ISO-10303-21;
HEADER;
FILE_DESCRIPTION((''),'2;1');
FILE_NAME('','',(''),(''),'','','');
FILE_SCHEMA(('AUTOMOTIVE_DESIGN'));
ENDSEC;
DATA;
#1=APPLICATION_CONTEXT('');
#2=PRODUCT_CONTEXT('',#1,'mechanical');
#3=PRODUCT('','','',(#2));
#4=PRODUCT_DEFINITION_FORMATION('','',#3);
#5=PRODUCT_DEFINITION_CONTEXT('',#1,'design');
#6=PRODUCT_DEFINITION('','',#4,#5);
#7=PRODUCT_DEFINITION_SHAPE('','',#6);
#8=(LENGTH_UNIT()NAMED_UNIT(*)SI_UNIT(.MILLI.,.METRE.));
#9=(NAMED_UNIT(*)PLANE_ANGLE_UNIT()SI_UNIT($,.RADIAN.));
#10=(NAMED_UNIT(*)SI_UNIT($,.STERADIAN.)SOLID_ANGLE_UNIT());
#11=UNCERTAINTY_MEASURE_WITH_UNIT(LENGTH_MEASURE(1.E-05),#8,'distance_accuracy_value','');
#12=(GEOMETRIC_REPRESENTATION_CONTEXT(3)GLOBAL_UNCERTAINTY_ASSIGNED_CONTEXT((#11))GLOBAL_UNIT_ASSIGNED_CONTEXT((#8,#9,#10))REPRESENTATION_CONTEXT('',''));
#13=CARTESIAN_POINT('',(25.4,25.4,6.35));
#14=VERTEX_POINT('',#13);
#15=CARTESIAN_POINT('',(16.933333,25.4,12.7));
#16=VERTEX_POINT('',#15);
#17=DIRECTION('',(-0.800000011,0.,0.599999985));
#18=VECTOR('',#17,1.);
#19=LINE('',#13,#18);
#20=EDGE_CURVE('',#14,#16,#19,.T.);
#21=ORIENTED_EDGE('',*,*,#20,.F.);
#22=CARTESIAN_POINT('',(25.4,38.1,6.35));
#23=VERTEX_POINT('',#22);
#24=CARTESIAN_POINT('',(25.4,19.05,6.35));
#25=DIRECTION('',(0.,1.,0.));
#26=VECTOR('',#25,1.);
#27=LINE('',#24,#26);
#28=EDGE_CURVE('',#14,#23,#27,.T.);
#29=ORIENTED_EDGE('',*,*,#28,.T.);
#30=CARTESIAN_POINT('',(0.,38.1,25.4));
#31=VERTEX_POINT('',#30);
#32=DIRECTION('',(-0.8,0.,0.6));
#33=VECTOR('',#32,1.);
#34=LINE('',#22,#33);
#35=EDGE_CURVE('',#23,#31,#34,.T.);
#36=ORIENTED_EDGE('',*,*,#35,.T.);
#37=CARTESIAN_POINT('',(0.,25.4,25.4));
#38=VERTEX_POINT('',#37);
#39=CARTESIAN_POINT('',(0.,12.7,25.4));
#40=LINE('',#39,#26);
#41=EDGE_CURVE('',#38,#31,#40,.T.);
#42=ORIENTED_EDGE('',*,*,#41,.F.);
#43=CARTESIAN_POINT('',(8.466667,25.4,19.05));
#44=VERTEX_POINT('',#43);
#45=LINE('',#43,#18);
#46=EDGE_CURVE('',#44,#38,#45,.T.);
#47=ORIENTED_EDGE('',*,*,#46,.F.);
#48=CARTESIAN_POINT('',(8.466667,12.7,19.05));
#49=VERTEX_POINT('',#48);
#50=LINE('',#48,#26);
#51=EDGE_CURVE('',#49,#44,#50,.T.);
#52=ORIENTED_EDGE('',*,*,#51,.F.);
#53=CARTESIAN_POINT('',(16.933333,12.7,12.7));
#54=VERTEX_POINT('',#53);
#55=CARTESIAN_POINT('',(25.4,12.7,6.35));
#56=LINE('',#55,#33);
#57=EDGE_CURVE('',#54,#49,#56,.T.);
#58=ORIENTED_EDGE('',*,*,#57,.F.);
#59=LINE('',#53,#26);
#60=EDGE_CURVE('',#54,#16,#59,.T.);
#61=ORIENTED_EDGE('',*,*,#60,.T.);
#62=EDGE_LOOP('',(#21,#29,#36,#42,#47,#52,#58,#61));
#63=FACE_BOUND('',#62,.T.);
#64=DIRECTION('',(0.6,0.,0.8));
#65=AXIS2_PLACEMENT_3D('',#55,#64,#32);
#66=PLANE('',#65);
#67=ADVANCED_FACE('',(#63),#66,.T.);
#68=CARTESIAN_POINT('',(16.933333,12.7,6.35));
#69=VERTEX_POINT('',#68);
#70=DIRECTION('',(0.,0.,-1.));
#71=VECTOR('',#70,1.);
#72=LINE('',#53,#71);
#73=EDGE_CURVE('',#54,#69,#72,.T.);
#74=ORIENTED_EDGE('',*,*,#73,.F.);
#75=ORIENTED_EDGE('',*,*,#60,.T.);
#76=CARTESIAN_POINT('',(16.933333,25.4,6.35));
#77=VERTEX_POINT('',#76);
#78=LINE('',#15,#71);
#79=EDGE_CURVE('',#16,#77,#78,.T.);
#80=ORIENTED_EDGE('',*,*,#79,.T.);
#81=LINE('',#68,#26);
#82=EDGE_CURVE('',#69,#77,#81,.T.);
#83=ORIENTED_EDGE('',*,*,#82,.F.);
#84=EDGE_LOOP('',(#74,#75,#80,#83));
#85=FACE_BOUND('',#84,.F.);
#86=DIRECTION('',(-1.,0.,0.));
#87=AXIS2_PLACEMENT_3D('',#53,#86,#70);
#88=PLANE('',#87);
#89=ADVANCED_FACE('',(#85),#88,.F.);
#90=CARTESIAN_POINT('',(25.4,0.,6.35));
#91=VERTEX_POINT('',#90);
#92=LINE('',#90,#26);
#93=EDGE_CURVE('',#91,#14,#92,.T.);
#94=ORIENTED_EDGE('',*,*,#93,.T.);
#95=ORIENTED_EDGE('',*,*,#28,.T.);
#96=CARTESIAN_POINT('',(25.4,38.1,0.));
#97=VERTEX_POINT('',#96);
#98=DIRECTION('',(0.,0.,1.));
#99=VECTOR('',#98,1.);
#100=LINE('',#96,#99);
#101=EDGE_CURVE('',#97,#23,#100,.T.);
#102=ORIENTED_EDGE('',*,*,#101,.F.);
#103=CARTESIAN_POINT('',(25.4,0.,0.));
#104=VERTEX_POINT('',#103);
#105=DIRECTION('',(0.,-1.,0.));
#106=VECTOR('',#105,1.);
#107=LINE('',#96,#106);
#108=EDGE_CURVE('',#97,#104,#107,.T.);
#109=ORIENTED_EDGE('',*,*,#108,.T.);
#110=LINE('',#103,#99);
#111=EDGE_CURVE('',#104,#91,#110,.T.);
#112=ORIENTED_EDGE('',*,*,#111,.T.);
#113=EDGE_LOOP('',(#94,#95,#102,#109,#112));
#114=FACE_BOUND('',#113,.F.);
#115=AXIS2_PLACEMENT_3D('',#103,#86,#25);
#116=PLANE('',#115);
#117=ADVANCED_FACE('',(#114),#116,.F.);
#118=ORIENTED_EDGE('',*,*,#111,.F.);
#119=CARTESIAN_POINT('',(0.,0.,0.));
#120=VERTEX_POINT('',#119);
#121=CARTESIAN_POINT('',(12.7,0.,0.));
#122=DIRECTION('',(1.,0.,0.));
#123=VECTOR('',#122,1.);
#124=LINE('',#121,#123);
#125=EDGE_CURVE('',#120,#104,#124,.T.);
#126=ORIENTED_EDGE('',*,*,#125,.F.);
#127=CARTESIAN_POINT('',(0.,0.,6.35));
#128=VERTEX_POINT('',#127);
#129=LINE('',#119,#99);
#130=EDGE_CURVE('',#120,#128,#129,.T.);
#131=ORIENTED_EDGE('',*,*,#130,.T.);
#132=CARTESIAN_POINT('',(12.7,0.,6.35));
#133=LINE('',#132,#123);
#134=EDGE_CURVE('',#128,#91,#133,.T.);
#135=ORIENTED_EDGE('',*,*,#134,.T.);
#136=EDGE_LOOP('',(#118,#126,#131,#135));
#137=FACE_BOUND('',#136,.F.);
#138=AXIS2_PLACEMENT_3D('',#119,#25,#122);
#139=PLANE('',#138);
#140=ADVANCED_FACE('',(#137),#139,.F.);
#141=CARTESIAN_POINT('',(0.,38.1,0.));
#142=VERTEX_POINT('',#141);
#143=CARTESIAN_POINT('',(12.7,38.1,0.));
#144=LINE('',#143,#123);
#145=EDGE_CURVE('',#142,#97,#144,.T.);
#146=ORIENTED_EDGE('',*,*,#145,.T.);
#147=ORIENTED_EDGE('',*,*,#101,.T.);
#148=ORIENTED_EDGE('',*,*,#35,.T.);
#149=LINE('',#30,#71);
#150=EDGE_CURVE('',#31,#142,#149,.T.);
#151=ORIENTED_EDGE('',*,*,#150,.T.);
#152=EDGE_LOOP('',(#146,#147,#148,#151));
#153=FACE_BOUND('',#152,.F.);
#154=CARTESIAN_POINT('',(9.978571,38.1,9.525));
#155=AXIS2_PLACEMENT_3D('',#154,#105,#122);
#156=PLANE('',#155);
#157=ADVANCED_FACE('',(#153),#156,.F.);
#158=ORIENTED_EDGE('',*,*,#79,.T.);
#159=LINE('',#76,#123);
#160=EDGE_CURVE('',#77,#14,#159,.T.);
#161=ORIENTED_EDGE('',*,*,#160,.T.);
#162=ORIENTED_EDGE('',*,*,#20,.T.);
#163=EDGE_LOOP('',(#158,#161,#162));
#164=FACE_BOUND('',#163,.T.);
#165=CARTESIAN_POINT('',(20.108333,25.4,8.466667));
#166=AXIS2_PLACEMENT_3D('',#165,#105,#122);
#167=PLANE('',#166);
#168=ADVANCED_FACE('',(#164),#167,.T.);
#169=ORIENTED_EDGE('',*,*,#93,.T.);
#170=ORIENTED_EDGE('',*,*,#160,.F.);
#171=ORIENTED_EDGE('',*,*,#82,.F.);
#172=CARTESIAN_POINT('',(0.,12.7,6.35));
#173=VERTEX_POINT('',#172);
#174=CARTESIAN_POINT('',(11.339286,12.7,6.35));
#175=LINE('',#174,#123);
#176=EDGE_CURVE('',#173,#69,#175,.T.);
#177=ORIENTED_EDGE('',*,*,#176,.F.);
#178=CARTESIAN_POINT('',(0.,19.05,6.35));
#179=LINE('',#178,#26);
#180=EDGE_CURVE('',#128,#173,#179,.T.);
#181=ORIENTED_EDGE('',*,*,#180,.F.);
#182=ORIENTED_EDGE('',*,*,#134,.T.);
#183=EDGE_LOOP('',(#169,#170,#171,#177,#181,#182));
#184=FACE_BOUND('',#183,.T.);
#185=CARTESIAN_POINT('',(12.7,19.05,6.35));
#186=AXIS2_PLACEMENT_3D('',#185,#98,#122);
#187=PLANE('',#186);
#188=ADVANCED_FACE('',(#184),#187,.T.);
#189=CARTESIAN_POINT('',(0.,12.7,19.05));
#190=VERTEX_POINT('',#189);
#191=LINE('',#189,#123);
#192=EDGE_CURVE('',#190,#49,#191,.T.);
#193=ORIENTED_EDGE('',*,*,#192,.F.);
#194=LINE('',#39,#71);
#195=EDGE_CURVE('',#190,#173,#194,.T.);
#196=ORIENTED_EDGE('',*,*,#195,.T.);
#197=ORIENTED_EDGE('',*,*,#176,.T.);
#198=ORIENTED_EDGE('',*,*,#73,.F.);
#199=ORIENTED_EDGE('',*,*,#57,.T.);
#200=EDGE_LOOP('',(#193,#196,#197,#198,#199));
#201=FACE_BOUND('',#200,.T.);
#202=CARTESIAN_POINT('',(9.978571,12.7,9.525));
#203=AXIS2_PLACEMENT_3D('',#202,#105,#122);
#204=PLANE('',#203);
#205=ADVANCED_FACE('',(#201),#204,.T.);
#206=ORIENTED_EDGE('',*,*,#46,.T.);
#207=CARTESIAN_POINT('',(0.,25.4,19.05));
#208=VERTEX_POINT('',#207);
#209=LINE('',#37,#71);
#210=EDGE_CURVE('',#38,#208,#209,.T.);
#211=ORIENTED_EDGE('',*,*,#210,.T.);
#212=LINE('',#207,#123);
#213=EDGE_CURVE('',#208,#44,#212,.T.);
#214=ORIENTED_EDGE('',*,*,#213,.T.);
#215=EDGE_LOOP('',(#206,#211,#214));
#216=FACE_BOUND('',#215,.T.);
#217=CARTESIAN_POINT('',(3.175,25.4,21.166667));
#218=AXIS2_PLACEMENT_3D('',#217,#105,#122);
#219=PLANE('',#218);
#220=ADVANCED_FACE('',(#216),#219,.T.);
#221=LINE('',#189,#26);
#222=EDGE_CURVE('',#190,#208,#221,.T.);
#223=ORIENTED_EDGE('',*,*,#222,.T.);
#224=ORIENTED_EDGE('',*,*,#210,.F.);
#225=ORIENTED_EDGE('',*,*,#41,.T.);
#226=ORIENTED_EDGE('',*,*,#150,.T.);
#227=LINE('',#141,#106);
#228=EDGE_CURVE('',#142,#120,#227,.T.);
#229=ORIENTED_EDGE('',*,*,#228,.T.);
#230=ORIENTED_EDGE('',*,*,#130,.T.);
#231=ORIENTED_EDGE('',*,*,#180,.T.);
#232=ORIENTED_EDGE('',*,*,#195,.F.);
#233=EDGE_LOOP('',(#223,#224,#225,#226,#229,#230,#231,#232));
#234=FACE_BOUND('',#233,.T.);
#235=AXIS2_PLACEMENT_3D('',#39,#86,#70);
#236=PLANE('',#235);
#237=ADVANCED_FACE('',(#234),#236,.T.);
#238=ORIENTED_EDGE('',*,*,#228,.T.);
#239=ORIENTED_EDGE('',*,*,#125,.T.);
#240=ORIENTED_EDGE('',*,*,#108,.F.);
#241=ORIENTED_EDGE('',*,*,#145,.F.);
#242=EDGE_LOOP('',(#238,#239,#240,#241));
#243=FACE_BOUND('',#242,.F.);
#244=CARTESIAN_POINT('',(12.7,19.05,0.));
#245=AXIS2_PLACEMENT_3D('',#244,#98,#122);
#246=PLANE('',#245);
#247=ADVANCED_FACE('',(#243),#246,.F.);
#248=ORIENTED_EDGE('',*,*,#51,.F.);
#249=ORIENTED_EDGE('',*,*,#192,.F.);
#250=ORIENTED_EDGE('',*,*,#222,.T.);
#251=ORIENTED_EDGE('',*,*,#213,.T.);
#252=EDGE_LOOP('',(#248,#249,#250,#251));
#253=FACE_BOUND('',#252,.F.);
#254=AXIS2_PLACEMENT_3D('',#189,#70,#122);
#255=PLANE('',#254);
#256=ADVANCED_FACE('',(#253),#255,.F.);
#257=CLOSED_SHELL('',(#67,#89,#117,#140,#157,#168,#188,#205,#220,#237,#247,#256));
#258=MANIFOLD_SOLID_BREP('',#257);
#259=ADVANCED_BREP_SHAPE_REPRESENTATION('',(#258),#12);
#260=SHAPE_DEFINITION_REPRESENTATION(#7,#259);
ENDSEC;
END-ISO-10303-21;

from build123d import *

# Parameters (mm, degrees)
F0_W     = 25.4
F0_H     = 38.1
F1_DEPTH = 6.35
F4_DEPTH = 25.4
F6_DEPTH = 12.7


with BuildPart() as f1:
    # F0 (on Top) → F1 (new body)
    with BuildSketch(Plane.XY):
        with Locations((12.7, 19.05)):
            Rectangle(F0_W, F0_H)
    extrude(amount=F1_DEPTH)

    # F3 (on offset) → F4 (join)
    with BuildSketch(Plane.XZ.offset(-12.7)):
        Polygon((0, 25.4), (0, 0), (25.4, 0), (25.4, 6.35), align=None)
    extrude(amount=-F4_DEPTH)

    # F5 (on face) → F6 (cut)
    with BuildSketch(Plane.XZ.offset(-12.7)):
        Polygon((0, 25.4), (0, 19.05), (8.466667, 19.05), align=None)
        Polygon((25.4, 6.35), (16.933333, 12.7), (16.933333, 6.35), align=None)
    extrude(amount=-F6_DEPTH, mode=Mode.SUBTRACT)


solid = f1.part
